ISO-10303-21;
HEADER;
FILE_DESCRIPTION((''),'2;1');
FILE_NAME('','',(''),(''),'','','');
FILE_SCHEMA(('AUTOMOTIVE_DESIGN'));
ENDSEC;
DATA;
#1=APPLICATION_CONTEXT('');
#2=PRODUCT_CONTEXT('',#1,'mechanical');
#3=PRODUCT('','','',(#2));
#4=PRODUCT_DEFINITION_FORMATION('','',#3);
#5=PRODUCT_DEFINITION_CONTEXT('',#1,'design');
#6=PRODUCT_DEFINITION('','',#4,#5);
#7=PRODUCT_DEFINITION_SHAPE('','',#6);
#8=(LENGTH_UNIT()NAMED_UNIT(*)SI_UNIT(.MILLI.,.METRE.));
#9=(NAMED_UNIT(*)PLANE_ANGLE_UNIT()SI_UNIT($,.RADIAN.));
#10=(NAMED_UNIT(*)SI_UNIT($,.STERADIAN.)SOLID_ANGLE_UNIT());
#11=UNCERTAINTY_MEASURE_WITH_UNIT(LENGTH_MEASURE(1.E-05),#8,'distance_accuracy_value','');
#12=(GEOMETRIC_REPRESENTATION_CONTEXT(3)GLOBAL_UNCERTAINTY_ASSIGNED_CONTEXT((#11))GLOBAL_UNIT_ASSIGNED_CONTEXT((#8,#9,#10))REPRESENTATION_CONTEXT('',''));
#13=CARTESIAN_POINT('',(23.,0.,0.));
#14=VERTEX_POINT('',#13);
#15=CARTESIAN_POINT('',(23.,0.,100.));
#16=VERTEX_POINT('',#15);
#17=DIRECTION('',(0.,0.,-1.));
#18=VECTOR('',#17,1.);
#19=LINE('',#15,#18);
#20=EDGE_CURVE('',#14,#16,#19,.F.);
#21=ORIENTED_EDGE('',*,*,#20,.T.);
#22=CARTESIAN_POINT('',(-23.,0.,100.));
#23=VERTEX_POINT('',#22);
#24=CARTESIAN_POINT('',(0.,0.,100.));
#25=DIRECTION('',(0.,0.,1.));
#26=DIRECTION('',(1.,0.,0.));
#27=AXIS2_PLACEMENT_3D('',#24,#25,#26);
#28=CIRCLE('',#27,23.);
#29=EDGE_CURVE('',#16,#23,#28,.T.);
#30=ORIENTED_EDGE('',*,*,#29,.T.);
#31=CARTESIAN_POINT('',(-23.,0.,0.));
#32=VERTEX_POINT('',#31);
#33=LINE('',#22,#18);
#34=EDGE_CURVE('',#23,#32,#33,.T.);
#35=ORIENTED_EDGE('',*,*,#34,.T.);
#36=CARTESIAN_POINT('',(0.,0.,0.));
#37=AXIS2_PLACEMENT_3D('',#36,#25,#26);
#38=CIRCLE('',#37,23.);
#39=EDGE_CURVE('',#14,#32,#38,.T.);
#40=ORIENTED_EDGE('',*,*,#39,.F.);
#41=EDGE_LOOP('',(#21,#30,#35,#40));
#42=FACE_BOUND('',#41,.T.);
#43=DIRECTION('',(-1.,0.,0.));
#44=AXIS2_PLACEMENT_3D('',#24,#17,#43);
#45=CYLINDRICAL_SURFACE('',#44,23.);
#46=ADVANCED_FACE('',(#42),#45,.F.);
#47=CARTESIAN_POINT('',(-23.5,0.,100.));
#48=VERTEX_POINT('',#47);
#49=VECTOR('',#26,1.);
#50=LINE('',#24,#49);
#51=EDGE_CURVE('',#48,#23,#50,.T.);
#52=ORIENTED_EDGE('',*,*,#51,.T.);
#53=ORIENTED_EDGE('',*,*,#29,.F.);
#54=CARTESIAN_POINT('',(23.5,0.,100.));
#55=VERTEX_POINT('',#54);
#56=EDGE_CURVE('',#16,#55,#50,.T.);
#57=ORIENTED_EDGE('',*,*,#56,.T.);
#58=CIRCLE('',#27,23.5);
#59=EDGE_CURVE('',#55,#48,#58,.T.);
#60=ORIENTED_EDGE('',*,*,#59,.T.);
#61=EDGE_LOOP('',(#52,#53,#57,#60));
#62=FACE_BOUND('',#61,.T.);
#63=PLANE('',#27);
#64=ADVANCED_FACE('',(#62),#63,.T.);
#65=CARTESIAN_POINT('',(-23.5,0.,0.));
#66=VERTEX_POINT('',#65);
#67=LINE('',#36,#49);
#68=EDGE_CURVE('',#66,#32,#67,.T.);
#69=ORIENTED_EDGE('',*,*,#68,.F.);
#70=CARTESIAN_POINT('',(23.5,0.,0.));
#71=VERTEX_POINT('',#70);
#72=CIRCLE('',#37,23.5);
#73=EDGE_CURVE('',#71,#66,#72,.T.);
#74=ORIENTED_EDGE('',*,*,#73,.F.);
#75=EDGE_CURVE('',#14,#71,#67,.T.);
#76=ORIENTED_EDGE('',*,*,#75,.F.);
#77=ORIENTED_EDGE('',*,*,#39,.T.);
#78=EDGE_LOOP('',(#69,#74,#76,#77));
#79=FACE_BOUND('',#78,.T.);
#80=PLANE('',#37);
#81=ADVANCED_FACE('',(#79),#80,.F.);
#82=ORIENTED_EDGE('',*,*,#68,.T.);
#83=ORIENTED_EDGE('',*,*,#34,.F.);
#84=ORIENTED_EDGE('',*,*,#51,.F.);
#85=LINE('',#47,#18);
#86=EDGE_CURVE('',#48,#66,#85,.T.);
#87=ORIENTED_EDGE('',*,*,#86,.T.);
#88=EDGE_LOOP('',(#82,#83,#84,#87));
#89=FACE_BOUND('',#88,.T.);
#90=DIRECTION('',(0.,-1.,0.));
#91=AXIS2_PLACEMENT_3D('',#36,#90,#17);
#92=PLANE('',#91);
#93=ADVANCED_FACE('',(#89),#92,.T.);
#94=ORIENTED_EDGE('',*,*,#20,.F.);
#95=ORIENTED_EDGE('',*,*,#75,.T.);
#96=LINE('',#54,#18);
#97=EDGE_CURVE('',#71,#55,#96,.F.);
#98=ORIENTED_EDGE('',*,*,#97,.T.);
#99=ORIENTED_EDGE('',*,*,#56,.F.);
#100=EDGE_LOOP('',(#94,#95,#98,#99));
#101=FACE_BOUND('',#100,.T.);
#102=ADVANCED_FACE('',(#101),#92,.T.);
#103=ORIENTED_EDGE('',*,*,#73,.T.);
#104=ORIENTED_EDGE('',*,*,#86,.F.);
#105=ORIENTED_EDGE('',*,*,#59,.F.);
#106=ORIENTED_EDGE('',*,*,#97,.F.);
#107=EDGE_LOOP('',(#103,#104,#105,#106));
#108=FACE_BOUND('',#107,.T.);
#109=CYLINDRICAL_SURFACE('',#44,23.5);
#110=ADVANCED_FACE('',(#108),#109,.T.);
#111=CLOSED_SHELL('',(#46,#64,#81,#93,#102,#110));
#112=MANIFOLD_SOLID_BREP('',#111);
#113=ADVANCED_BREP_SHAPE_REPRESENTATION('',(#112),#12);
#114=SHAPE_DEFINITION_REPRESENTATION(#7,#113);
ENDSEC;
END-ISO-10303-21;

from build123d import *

# Parameters (mm, degrees)
CROQUIS1_R              = 23.5
CROQUIS1_R_2            = 23
SALIENTE_EXTRUIR1_DEPTH = 100
CROQUIS2_W              = 51.494552362
CROQUIS2_H              = 114.79268914
CORTAR_EXTRUIR1_DEPTH   = 106.377891419


with BuildPart() as part:
    # Croquis1 → Saliente-Extruir1 (new body)
    with BuildSketch(Plane.XY):
        Circle(CROQUIS1_R)
        Circle(CROQUIS1_R_2, mode=Mode.SUBTRACT)
    extrude(amount=SALIENTE_EXTRUIR1_DEPTH)

    # Croquis2 → Cortar-Extruir1 (cut, through all)
    with BuildSketch(Plane(origin=(0, 0, 0), x_dir=(1, 0, 0), z_dir=(0, 1, 0))):
        with Locations((0.341698611, -45.784167148)):
            Rectangle(CROQUIS2_W, CROQUIS2_H)
    extrude(amount=-CORTAR_EXTRUIR1_DEPTH, mode=Mode.SUBTRACT)


solid = part.part
